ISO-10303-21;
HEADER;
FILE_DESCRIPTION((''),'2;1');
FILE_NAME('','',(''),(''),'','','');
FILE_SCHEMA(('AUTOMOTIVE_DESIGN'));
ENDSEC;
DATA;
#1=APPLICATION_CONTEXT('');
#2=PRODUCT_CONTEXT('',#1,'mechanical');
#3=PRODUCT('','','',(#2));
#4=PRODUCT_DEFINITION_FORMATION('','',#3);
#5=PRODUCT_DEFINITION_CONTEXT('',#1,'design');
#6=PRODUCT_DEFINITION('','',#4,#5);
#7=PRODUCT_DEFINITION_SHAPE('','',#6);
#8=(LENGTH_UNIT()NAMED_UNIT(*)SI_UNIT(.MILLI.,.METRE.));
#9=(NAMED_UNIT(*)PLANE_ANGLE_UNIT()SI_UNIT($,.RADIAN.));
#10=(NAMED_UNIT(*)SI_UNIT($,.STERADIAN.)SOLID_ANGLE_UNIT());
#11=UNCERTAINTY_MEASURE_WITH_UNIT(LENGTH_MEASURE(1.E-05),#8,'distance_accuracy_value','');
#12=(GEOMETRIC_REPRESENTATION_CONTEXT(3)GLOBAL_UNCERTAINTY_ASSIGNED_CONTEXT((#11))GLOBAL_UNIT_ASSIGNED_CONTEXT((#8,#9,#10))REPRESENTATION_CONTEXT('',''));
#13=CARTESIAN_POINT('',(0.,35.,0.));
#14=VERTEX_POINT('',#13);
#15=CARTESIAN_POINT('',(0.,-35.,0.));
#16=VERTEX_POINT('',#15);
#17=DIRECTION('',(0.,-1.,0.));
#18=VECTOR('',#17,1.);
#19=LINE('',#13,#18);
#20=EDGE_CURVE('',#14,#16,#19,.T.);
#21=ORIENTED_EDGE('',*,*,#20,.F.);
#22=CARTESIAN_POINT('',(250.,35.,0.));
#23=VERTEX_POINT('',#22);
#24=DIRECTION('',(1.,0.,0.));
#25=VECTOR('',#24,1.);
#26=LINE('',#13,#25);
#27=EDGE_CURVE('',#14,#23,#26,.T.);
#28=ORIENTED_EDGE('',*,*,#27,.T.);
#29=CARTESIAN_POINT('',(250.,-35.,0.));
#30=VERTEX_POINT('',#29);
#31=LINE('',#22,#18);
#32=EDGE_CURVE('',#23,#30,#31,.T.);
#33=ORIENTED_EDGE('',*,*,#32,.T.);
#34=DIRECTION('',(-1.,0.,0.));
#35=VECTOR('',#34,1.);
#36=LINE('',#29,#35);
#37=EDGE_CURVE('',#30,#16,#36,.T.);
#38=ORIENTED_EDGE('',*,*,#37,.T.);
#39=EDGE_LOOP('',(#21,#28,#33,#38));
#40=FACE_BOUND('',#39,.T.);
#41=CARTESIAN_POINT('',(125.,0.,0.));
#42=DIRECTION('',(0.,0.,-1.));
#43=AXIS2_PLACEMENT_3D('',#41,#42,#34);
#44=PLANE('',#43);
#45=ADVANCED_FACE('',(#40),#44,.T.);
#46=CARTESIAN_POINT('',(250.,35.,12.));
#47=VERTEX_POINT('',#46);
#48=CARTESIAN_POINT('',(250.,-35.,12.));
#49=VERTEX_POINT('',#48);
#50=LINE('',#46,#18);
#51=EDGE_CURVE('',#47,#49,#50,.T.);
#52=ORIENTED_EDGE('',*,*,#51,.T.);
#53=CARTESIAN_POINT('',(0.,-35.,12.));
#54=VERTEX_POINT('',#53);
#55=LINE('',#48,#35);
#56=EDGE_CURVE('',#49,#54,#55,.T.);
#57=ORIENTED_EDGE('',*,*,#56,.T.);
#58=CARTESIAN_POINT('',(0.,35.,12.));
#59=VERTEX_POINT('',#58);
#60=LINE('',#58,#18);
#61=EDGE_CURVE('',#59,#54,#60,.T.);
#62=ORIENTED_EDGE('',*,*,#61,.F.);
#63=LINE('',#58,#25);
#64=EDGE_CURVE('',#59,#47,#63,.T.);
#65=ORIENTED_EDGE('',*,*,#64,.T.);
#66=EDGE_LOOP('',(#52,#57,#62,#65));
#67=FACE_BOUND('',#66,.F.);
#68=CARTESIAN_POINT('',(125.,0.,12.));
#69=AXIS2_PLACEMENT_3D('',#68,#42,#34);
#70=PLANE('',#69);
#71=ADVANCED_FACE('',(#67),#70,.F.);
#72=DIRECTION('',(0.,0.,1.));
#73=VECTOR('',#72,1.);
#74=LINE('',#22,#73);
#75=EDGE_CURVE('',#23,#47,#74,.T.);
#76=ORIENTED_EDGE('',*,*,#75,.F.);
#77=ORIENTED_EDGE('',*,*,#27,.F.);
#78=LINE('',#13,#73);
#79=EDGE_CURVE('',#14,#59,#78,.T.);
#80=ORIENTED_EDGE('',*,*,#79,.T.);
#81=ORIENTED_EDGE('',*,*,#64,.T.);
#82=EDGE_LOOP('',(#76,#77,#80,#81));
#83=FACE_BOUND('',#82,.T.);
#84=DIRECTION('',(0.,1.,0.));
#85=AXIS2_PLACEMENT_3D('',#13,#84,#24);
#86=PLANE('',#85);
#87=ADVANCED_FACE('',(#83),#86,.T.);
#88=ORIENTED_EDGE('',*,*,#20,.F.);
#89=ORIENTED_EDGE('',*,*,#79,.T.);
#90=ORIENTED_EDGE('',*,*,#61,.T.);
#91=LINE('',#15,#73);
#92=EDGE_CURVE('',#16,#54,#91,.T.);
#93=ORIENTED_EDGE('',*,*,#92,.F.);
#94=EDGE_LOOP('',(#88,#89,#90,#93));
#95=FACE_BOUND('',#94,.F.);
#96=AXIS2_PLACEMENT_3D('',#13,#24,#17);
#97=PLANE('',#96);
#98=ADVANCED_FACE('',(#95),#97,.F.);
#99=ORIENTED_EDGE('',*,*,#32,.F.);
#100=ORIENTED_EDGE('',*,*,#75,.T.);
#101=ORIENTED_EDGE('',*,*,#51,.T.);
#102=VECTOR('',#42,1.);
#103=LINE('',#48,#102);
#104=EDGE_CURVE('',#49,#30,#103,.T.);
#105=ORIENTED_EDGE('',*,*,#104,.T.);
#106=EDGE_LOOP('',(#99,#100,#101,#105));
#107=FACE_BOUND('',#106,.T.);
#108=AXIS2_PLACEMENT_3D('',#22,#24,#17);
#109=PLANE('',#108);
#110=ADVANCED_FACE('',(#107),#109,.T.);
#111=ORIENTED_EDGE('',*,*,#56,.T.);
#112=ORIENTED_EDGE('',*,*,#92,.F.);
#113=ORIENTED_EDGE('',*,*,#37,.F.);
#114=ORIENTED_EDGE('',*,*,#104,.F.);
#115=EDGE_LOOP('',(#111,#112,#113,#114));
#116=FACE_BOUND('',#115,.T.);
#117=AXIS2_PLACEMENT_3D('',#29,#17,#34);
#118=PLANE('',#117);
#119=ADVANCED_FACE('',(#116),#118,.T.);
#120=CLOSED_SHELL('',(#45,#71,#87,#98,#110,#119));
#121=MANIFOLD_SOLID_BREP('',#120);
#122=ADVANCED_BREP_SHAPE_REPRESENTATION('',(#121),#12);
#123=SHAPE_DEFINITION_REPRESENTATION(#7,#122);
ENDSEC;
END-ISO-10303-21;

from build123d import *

# Parameters (mm, degrees)
PAD_DEPTH    = 12
POCKET_DEPTH = 1


with BuildPart() as part:
    # Sketch → Pad (new body)
    with BuildSketch(Plane.XY):
        Polygon((0, 0), (0, 35), (250, 35), (250, -35), (0, -35), align=None)
    extrude(amount=PAD_DEPTH)

    # Sketch002 (on Face7 of Pad) → Pocket (cut)
    with BuildSketch(Plane.XY.offset(12)):
        Polygon((0, -35), (0, -71.973152), (250, -35), align=None)
    extrude(amount=-POCKET_DEPTH, mode=Mode.SUBTRACT)


solid = part.part
